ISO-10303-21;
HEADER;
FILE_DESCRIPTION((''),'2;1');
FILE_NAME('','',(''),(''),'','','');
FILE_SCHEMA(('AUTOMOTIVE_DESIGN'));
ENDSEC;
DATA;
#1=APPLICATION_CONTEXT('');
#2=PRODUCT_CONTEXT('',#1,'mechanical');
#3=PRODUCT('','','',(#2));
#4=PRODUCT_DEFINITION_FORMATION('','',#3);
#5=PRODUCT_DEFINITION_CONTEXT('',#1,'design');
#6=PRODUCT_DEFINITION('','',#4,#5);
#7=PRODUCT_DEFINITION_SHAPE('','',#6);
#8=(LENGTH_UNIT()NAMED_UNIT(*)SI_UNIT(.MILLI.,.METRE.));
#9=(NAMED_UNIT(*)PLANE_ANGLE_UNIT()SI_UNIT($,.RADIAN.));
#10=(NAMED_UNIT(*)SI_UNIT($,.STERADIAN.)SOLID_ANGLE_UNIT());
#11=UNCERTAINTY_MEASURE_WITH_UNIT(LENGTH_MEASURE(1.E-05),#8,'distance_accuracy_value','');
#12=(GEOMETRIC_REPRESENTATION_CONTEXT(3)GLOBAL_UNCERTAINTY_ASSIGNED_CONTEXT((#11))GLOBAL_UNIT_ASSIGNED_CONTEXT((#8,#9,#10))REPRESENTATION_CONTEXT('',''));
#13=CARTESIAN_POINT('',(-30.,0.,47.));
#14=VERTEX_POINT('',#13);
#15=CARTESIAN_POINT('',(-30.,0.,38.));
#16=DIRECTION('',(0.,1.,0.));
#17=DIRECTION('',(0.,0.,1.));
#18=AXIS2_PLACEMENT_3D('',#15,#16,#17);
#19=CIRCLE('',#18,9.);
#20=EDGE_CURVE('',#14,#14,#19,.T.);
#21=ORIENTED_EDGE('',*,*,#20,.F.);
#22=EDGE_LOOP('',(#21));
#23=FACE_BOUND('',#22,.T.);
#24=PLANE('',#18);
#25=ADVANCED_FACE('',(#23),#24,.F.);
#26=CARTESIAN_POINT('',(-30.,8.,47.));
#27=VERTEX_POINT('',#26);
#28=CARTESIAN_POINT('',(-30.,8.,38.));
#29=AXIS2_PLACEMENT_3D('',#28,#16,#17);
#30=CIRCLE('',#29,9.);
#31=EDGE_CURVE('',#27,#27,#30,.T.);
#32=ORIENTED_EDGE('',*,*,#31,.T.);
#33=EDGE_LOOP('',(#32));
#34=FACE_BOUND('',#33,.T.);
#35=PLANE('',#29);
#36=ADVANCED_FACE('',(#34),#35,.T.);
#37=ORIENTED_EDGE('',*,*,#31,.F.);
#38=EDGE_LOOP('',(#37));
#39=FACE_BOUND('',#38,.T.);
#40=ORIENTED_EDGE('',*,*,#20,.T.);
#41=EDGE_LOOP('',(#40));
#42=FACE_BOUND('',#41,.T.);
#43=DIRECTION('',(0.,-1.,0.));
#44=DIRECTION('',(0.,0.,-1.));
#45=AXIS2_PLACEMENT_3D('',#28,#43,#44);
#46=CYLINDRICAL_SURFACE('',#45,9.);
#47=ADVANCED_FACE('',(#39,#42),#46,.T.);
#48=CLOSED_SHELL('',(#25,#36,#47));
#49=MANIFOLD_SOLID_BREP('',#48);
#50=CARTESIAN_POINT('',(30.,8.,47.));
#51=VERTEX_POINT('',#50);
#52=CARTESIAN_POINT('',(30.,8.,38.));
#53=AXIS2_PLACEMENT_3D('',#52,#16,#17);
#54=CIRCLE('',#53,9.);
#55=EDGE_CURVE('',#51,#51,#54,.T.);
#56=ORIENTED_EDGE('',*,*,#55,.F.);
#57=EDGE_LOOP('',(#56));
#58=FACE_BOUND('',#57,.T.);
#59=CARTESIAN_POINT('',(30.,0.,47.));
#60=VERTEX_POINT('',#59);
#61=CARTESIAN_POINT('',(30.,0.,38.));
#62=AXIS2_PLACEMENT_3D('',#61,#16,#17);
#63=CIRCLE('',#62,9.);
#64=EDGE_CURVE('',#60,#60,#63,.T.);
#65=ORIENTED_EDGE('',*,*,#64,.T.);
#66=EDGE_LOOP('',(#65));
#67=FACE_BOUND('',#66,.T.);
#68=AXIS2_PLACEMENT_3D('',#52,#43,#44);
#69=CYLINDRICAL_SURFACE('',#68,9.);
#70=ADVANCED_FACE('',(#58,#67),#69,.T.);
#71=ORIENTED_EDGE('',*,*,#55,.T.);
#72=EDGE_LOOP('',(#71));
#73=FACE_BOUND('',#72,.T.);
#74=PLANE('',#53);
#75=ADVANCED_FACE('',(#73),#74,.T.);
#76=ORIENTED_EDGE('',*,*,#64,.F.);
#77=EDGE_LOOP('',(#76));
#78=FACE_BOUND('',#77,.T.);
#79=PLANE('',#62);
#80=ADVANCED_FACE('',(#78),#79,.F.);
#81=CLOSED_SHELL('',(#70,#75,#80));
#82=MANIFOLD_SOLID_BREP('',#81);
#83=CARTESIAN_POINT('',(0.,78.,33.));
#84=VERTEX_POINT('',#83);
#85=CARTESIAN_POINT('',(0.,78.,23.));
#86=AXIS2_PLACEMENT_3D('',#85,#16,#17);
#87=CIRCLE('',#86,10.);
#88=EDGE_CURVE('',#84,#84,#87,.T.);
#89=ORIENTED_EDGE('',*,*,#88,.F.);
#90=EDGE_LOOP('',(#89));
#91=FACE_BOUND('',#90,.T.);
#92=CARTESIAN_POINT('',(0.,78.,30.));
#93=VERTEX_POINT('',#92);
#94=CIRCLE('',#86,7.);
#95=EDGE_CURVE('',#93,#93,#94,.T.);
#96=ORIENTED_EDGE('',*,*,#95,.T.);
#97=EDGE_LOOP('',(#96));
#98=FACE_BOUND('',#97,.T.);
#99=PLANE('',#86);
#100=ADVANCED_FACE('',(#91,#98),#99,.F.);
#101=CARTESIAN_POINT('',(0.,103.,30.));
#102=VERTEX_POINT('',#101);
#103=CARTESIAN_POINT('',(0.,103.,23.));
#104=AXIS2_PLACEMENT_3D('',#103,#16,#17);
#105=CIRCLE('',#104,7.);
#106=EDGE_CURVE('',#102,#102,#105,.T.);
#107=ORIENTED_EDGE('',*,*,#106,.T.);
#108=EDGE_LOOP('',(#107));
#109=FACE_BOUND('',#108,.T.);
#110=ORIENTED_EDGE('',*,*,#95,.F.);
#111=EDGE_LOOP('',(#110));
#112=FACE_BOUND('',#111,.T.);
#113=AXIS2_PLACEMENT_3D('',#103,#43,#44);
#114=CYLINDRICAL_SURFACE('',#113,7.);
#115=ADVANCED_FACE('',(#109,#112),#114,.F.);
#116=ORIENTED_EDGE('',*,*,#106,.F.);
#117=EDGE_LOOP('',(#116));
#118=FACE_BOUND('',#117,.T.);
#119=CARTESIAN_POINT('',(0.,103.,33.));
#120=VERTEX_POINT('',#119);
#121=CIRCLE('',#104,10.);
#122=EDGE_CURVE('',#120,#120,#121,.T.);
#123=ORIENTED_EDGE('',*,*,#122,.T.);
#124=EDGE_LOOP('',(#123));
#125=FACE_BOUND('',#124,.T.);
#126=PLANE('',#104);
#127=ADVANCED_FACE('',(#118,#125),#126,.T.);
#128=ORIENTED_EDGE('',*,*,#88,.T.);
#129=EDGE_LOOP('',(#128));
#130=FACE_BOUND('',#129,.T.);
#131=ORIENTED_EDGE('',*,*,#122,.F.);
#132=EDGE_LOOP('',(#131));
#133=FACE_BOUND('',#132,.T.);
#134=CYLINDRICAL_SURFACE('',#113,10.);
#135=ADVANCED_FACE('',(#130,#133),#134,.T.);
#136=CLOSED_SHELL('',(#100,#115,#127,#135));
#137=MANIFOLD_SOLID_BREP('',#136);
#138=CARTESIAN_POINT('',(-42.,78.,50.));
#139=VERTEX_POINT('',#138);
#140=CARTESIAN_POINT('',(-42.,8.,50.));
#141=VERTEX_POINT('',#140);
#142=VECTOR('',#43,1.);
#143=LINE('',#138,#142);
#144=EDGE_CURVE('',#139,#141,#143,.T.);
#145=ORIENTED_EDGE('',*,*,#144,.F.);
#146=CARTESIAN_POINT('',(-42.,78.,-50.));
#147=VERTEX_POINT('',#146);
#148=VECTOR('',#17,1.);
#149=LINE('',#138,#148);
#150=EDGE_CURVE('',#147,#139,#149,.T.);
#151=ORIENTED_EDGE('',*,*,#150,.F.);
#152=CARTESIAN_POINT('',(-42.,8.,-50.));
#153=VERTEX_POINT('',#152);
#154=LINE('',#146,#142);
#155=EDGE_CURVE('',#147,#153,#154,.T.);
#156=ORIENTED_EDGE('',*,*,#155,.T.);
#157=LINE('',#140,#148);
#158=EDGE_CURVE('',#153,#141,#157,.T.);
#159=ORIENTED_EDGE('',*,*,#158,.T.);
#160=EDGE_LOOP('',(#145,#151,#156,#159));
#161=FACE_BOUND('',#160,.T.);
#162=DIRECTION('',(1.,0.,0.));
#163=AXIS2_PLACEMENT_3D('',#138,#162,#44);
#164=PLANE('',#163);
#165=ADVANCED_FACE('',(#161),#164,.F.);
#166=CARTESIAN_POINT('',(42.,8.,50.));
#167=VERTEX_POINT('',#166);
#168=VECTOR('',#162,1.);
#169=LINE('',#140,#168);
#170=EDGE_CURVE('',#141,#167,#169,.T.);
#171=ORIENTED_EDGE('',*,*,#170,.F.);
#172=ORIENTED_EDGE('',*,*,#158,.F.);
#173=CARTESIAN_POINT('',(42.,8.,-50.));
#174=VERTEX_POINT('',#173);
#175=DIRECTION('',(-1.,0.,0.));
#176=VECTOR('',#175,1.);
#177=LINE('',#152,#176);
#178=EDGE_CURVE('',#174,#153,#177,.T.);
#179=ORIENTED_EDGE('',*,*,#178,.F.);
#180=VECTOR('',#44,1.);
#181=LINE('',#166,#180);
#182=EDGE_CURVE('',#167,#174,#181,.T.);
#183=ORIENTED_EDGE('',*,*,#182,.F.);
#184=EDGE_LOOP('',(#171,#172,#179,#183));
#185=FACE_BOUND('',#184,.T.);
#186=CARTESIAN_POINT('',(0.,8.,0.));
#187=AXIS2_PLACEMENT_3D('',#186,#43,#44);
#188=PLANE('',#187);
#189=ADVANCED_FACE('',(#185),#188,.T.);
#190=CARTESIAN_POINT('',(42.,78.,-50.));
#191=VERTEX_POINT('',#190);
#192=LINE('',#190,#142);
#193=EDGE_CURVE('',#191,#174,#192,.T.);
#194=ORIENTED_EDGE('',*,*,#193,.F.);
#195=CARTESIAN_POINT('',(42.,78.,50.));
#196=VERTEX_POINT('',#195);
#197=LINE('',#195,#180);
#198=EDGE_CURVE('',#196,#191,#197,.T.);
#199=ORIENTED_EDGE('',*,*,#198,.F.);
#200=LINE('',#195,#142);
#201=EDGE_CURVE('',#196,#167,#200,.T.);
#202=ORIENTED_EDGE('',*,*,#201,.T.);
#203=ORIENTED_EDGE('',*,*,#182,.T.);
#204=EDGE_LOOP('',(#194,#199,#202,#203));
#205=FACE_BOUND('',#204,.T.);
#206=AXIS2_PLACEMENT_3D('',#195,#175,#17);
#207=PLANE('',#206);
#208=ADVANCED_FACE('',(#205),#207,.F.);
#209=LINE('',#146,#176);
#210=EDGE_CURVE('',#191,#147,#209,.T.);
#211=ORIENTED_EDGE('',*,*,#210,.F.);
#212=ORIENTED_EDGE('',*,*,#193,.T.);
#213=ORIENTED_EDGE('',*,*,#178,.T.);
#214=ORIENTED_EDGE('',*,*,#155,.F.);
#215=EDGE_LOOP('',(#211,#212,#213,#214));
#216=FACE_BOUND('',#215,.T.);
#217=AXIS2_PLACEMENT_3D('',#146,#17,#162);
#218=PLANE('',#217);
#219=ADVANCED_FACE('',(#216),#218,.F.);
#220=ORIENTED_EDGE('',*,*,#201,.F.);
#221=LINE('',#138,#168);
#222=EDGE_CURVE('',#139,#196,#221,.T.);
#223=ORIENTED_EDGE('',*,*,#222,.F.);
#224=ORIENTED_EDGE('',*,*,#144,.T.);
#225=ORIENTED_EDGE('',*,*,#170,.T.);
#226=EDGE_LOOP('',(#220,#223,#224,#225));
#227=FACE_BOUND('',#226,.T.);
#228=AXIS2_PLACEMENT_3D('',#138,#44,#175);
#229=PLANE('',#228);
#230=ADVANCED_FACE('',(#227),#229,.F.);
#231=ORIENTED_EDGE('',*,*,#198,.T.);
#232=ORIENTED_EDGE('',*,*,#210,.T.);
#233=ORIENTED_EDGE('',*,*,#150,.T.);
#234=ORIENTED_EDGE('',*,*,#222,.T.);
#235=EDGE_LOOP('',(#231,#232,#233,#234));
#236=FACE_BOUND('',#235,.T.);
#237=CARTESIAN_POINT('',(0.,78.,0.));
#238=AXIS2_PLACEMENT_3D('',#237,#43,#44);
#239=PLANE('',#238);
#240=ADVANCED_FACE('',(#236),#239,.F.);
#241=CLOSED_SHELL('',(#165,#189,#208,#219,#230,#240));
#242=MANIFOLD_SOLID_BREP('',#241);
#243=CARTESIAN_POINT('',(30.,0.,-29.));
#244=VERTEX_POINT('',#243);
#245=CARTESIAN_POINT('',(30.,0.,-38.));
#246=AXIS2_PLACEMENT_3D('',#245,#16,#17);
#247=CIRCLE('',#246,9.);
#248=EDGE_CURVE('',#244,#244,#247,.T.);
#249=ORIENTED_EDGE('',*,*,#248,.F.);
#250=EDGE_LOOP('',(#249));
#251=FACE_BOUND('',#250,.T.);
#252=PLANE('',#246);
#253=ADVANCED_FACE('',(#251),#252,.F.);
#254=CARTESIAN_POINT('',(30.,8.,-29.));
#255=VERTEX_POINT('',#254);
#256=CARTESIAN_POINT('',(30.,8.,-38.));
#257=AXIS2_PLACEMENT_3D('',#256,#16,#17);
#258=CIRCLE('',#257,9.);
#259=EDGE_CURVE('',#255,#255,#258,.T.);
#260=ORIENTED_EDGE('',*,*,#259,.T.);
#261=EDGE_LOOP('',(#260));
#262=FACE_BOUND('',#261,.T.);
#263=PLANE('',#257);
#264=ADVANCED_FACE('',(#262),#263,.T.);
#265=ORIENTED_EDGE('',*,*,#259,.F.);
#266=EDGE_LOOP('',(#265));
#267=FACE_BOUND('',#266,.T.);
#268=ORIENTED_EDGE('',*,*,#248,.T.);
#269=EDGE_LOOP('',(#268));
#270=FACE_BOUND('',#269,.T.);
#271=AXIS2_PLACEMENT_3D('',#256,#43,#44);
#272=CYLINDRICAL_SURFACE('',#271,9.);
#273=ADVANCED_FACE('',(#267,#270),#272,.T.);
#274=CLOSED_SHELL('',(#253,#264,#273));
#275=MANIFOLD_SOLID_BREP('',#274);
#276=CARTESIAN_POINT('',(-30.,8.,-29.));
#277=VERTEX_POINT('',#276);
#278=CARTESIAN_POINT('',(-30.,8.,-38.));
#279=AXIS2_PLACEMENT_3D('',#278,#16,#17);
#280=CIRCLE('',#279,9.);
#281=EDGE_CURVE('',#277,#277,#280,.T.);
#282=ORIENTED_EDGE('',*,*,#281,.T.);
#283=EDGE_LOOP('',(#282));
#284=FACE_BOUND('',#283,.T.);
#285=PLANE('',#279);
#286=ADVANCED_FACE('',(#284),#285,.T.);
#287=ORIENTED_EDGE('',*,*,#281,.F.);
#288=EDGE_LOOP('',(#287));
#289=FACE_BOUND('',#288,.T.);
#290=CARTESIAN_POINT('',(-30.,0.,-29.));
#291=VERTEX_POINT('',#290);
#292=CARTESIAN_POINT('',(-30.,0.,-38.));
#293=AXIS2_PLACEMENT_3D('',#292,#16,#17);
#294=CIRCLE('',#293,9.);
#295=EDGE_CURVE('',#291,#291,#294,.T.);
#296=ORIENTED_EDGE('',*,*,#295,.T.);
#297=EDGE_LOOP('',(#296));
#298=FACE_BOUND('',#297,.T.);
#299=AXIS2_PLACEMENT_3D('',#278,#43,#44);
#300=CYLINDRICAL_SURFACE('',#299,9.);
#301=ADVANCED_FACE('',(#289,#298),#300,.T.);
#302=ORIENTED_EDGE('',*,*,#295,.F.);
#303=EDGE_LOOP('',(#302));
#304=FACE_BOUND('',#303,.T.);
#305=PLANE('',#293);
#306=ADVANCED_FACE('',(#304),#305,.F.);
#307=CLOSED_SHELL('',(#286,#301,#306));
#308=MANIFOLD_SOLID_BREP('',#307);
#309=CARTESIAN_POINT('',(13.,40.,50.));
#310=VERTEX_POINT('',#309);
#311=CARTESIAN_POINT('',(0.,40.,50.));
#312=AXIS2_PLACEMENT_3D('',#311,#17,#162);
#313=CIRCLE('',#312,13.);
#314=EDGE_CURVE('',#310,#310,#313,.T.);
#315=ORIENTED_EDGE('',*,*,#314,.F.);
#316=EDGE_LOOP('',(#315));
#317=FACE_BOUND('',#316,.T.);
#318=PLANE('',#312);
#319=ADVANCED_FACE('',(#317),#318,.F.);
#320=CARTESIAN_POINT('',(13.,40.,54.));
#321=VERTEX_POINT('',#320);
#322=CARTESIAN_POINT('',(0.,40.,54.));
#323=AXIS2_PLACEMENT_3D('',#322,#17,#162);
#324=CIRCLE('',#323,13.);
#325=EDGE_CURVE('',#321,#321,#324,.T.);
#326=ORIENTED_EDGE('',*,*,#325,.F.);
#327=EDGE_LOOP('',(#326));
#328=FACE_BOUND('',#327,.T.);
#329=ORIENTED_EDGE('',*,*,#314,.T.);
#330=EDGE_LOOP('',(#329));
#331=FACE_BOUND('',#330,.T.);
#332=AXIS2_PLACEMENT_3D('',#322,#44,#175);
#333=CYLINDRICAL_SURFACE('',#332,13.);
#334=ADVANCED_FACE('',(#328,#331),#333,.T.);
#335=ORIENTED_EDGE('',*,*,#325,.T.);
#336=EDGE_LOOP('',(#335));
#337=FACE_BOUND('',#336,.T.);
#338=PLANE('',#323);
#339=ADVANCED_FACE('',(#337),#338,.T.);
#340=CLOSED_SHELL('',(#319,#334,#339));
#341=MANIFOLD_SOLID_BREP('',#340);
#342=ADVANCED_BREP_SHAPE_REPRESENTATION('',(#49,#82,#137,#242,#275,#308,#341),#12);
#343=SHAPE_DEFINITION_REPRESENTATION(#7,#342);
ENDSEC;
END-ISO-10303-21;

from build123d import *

# Parameters (mm, degrees)
LISTING_ENVELOPE_100X84X78_START     = 8
SKETCH1_W                            = 84
SKETCH1_H                            = 100
LISTING_ENVELOPE_100X84X78_DEPTH     = 70
SKETCH2_R                            = 9
SUCTION_FOOT_ASSUMED_DEPTH           = 8
SKETCH3_R                            = 9
BOSS_EXTRUDE3_DEPTH                  = 8
SKETCH4_R                            = 9
BOSS_EXTRUDE4_DEPTH                  = 8
SKETCH5_R                            = 9
BOSS_EXTRUDE5_DEPTH                  = 8
NOZZLE_EXTRA_CLEARANCE_ASSUMED_START = 78
SKETCH6_R                            = 10
SKETCH6_R_2                          = 7
NOZZLE_EXTRA_CLEARANCE_ASSUMED_DEPTH = 25
FLOW_ADJUSTMENT_KNOB_ASSUMED_START   = 50
SKETCH7_R                            = 13
FLOW_ADJUSTMENT_KNOB_ASSUMED_DEPTH   = 4


with BuildPart() as part:
    # Sketch1 → Listing_envelope_100x84x78 (new body)
    with BuildSketch(Plane(origin=(0, 0, 0), x_dir=(1, 0, 0), z_dir=(0, 1, 0)).offset(LISTING_ENVELOPE_100X84X78_START)):
        Rectangle(SKETCH1_W, SKETCH1_H)
    extrude(amount=LISTING_ENVELOPE_100X84X78_DEPTH)


with BuildPart() as body_2:
    # Sketch2 → Suction_foot_ASSUMED (new body)
    with BuildSketch(Plane(origin=(0, 0, 0), x_dir=(1, 0, 0), z_dir=(0, 1, 0))):
        with Locations(Location((-30, -38, 0), (0, 0, 270))):
            Circle(SKETCH2_R)
    extrude(amount=SUCTION_FOOT_ASSUMED_DEPTH)


with BuildPart() as body_3:
    # Sketch3 → Boss-Extrude3 (new body)
    with BuildSketch(Plane(origin=(0, 0, 0), x_dir=(1, 0, 0), z_dir=(0, 1, 0))):
        with Locations(Location((-30, 38, 0), (0, 0, 270))):
            Circle(SKETCH3_R)
    extrude(amount=BOSS_EXTRUDE3_DEPTH)


with BuildPart() as body_4:
    # Sketch4 → Boss-Extrude4 (new body)
    with BuildSketch(Plane(origin=(0, 0, 0), x_dir=(1, 0, 0), z_dir=(0, 1, 0))):
        with Locations(Location((30, -38, 0), (0, 0, 270))):
            Circle(SKETCH4_R)
    extrude(amount=BOSS_EXTRUDE4_DEPTH)


with BuildPart() as body_5:
    # Sketch5 → Boss-Extrude5 (new body)
    with BuildSketch(Plane(origin=(0, 0, 0), x_dir=(1, 0, 0), z_dir=(0, 1, 0))):
        with Locations(Location((30, 38, 0), (0, 0, 270))):
            Circle(SKETCH5_R)
    extrude(amount=BOSS_EXTRUDE5_DEPTH)


with BuildPart() as body_6:
    # Sketch6 → Nozzle_extra_clearance_ASSUMED (new body)
    with BuildSketch(Plane(origin=(0, 0, 0), x_dir=(1, 0, 0), z_dir=(0, 1, 0)).offset(NOZZLE_EXTRA_CLEARANCE_ASSUMED_START)):
        with Locations(Location((0, -23, 0), (0, 0, 270))):
            Circle(SKETCH6_R)
        with Locations(Location((0, -23, 0), (0, 0, 270))):
            Circle(SKETCH6_R_2, mode=Mode.SUBTRACT)
    extrude(amount=NOZZLE_EXTRA_CLEARANCE_ASSUMED_DEPTH)


with BuildPart() as body_7:
    # Sketch7 → Flow_adjustment_knob_ASSUMED (new body)
    with BuildSketch(Plane.XY.offset(FLOW_ADJUSTMENT_KNOB_ASSUMED_START)):
        with Locations((0, 40)):
            Circle(SKETCH7_R)
    extrude(amount=FLOW_ADJUSTMENT_KNOB_ASSUMED_DEPTH)


solid = Compound([part.part, body_2.part, body_3.part, body_4.part, body_5.part, body_6.part, body_7.part])
